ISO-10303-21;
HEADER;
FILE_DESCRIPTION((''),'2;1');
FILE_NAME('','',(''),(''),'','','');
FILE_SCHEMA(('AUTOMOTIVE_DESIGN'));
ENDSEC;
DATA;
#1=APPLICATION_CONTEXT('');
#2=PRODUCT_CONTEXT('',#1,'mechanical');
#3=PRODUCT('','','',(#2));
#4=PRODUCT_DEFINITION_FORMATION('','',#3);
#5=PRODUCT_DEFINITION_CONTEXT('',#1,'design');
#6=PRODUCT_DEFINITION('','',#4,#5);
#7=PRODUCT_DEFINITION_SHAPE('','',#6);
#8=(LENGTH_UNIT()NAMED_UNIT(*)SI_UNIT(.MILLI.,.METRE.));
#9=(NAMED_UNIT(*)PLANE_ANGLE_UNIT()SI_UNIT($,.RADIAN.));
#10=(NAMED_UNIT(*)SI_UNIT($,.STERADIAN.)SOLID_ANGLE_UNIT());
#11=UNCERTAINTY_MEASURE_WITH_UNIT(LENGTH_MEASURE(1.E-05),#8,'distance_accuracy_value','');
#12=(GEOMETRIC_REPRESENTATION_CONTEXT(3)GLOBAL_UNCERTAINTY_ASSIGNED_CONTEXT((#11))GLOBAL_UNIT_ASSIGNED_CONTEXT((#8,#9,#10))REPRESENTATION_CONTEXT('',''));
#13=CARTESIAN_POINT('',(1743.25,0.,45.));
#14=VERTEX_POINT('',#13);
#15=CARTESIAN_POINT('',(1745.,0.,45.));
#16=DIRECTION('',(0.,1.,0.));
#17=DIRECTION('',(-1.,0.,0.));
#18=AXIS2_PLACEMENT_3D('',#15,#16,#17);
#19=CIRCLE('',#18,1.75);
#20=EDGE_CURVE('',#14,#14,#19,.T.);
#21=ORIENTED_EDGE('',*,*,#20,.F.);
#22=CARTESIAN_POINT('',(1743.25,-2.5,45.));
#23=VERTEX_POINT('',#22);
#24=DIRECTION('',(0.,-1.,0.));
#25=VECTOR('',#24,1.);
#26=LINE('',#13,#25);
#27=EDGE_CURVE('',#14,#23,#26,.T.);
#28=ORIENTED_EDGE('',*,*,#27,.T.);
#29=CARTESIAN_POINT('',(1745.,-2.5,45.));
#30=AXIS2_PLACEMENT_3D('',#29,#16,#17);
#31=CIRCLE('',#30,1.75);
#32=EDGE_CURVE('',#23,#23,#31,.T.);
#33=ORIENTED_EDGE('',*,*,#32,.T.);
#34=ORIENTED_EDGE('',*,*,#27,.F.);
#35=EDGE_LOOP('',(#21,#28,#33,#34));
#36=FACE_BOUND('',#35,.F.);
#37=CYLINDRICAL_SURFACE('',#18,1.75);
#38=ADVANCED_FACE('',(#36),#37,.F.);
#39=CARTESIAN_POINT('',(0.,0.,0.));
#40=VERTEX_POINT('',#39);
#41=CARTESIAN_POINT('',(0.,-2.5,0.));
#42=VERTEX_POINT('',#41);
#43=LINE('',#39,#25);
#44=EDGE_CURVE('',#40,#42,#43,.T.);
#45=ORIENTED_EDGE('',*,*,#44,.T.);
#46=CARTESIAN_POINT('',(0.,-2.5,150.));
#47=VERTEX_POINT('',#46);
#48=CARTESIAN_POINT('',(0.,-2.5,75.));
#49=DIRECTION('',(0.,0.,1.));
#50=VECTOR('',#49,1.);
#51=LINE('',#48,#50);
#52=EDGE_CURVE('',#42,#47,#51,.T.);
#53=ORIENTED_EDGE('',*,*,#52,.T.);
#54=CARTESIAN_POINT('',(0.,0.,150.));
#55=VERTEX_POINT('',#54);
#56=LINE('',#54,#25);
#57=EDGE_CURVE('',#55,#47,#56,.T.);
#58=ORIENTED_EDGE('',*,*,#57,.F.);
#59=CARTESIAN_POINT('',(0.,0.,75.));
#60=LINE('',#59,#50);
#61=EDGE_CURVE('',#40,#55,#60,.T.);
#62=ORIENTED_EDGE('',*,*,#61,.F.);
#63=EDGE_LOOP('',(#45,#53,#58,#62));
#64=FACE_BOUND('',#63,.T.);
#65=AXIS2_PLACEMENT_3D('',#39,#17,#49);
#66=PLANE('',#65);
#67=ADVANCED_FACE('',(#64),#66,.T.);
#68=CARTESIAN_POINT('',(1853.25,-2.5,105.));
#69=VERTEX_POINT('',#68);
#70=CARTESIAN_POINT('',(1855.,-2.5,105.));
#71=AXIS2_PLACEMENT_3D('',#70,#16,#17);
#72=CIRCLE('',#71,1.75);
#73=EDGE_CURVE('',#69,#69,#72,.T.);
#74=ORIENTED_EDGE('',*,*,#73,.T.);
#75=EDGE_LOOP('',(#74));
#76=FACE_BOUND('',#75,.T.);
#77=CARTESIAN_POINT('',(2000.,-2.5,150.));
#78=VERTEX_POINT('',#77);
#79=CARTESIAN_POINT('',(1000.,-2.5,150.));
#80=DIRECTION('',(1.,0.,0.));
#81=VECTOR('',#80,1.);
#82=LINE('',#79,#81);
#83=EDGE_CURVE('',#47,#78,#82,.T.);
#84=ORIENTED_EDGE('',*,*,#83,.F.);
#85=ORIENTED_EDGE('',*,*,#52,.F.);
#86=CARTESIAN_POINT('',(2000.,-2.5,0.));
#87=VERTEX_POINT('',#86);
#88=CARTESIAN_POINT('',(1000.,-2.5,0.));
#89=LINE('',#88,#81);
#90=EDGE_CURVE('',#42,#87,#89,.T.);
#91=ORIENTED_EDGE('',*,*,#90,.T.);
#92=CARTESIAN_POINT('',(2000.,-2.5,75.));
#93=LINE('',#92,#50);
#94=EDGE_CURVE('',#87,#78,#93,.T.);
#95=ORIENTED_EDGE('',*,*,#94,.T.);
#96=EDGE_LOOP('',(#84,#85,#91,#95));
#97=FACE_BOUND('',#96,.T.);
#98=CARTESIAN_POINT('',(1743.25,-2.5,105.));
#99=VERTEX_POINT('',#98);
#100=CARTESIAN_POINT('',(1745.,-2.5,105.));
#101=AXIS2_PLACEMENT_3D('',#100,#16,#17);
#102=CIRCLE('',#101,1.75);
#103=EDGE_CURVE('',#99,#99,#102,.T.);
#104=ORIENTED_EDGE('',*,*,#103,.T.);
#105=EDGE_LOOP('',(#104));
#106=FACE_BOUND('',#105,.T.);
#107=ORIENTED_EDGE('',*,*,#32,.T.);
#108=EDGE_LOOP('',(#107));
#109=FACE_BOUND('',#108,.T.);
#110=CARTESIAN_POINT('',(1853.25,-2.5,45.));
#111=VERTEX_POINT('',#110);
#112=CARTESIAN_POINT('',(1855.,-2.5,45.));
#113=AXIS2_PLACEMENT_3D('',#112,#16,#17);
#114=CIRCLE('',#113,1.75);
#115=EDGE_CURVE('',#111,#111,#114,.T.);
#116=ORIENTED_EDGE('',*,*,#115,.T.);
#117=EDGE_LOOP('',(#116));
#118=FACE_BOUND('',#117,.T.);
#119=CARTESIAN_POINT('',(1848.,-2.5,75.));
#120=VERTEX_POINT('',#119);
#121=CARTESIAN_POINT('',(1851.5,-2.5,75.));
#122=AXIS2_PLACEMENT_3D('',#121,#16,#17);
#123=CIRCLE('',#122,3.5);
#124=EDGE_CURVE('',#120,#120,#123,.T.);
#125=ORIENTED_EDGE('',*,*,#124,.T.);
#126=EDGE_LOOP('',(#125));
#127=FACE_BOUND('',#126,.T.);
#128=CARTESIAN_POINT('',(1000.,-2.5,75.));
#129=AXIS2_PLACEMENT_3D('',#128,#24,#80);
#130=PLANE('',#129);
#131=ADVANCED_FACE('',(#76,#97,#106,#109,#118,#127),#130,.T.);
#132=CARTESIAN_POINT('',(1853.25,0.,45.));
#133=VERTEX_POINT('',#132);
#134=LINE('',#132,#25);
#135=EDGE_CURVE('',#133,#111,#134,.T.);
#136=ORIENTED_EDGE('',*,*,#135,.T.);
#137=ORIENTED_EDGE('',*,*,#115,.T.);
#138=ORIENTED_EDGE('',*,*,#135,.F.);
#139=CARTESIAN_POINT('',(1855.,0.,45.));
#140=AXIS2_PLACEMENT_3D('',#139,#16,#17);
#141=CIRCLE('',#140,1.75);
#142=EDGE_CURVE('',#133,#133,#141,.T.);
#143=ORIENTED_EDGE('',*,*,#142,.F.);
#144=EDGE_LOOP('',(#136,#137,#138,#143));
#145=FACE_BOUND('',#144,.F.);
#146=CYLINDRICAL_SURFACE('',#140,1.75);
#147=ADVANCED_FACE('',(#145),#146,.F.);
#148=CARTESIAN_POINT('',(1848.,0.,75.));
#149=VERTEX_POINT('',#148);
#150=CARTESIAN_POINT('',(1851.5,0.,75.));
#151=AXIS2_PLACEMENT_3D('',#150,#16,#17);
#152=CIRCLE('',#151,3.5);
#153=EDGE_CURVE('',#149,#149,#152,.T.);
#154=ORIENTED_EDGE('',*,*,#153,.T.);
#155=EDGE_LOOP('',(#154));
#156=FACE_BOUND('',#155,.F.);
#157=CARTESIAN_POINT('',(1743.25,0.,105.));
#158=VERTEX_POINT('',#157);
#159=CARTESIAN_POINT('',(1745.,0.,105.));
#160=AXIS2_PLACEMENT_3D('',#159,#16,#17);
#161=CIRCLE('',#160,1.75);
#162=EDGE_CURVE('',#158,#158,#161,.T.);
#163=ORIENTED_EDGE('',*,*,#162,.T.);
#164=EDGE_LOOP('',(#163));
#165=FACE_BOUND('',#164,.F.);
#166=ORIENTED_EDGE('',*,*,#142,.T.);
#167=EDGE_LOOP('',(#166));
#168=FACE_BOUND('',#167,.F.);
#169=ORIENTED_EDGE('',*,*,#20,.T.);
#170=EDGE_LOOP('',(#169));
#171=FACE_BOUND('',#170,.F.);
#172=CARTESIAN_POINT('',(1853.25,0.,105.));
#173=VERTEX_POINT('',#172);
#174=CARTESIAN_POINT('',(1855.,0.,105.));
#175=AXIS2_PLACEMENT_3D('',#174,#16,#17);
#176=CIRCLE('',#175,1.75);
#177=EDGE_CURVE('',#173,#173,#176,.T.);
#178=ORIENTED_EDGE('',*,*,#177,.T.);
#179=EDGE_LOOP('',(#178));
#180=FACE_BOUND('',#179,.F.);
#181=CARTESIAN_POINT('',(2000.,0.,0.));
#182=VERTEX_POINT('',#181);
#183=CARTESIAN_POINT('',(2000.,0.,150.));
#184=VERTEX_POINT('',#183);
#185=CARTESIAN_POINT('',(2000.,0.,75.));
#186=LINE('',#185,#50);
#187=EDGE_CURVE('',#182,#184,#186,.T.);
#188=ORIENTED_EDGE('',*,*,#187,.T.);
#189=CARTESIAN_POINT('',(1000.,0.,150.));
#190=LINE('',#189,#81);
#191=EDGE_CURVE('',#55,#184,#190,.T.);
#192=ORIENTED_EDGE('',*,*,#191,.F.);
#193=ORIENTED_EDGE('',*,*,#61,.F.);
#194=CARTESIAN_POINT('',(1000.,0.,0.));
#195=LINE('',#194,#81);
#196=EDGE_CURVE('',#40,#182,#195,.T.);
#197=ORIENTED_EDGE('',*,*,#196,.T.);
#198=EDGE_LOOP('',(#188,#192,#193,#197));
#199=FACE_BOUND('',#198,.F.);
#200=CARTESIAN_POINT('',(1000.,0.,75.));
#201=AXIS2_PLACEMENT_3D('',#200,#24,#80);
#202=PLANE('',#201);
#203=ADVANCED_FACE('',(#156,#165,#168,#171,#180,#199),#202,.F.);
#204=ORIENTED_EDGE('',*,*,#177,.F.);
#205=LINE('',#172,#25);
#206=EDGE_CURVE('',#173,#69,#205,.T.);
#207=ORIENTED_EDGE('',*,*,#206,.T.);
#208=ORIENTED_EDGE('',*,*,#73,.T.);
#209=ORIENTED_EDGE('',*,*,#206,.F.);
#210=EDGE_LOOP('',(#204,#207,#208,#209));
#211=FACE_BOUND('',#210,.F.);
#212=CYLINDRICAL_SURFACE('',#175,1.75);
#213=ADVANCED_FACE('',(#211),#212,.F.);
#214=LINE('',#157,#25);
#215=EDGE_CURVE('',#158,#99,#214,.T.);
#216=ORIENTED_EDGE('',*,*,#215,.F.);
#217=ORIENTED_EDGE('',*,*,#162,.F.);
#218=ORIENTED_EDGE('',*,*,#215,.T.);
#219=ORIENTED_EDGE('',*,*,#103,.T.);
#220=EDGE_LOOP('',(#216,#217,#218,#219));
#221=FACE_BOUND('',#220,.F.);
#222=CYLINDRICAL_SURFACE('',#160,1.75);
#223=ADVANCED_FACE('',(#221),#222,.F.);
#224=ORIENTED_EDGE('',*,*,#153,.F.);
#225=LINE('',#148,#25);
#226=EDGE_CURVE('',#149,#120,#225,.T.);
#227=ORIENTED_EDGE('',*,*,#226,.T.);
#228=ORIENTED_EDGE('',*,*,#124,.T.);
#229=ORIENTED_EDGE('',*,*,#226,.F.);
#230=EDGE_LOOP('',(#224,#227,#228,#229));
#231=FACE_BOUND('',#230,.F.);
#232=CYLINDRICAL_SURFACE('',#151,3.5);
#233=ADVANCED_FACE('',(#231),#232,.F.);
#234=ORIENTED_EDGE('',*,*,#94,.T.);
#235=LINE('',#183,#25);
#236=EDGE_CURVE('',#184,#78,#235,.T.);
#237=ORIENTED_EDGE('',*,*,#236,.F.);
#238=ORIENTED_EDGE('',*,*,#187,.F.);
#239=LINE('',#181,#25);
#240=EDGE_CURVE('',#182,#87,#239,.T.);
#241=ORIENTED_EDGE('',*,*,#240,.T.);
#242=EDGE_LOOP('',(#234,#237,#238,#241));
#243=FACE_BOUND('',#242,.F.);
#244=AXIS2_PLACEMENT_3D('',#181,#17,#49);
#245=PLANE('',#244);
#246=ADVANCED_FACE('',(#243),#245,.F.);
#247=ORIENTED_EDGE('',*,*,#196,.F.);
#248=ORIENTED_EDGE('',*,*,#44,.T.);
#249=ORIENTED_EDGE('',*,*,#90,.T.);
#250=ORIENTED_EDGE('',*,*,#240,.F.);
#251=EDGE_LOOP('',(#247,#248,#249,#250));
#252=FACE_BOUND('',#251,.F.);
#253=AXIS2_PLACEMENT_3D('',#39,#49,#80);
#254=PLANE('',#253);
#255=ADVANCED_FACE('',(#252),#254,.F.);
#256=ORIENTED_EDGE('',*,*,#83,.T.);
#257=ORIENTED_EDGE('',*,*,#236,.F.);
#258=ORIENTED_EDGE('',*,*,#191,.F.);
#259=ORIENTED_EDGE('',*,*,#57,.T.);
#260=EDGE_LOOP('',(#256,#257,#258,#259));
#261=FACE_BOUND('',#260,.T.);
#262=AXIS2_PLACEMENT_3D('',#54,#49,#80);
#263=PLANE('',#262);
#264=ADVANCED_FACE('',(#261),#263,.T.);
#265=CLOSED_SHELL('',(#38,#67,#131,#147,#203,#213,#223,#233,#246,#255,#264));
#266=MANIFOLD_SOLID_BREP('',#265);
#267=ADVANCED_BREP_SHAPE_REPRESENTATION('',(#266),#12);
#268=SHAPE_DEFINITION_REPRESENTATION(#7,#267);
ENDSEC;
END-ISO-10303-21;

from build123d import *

# Parameters (mm, degrees)
F0_W     = 2000
F0_H     = 150
F1_DEPTH = 2.5
F2_R     = 1.75
F2_R_2   = 3.5
F3_DEPTH = 2.501


with BuildPart() as f1:
    # F0 (on Front) → F1 (new body)
    with BuildSketch(Plane.XZ):
        with Locations((1000, 75)):
            Rectangle(F0_W, F0_H)
    extrude(amount=F1_DEPTH)

    # F2 (on face) → F3 (cut, through all)
    with BuildSketch(Plane(origin=(0, 0, 0), x_dir=(-1, 0, 0), z_dir=(0, 1, 0))):
        with Locations((-1855, 105)):
            Circle(F2_R)
        with Locations((-1745, 105)):
            Circle(F2_R)
        with Locations((-1745, 45)):
            Circle(F2_R)
        with Locations((-1855, 45)):
            Circle(F2_R)
        with Locations((-1851.5, 75)):
            Circle(F2_R_2)
    extrude(amount=-F3_DEPTH, mode=Mode.SUBTRACT)


solid = f1.part
